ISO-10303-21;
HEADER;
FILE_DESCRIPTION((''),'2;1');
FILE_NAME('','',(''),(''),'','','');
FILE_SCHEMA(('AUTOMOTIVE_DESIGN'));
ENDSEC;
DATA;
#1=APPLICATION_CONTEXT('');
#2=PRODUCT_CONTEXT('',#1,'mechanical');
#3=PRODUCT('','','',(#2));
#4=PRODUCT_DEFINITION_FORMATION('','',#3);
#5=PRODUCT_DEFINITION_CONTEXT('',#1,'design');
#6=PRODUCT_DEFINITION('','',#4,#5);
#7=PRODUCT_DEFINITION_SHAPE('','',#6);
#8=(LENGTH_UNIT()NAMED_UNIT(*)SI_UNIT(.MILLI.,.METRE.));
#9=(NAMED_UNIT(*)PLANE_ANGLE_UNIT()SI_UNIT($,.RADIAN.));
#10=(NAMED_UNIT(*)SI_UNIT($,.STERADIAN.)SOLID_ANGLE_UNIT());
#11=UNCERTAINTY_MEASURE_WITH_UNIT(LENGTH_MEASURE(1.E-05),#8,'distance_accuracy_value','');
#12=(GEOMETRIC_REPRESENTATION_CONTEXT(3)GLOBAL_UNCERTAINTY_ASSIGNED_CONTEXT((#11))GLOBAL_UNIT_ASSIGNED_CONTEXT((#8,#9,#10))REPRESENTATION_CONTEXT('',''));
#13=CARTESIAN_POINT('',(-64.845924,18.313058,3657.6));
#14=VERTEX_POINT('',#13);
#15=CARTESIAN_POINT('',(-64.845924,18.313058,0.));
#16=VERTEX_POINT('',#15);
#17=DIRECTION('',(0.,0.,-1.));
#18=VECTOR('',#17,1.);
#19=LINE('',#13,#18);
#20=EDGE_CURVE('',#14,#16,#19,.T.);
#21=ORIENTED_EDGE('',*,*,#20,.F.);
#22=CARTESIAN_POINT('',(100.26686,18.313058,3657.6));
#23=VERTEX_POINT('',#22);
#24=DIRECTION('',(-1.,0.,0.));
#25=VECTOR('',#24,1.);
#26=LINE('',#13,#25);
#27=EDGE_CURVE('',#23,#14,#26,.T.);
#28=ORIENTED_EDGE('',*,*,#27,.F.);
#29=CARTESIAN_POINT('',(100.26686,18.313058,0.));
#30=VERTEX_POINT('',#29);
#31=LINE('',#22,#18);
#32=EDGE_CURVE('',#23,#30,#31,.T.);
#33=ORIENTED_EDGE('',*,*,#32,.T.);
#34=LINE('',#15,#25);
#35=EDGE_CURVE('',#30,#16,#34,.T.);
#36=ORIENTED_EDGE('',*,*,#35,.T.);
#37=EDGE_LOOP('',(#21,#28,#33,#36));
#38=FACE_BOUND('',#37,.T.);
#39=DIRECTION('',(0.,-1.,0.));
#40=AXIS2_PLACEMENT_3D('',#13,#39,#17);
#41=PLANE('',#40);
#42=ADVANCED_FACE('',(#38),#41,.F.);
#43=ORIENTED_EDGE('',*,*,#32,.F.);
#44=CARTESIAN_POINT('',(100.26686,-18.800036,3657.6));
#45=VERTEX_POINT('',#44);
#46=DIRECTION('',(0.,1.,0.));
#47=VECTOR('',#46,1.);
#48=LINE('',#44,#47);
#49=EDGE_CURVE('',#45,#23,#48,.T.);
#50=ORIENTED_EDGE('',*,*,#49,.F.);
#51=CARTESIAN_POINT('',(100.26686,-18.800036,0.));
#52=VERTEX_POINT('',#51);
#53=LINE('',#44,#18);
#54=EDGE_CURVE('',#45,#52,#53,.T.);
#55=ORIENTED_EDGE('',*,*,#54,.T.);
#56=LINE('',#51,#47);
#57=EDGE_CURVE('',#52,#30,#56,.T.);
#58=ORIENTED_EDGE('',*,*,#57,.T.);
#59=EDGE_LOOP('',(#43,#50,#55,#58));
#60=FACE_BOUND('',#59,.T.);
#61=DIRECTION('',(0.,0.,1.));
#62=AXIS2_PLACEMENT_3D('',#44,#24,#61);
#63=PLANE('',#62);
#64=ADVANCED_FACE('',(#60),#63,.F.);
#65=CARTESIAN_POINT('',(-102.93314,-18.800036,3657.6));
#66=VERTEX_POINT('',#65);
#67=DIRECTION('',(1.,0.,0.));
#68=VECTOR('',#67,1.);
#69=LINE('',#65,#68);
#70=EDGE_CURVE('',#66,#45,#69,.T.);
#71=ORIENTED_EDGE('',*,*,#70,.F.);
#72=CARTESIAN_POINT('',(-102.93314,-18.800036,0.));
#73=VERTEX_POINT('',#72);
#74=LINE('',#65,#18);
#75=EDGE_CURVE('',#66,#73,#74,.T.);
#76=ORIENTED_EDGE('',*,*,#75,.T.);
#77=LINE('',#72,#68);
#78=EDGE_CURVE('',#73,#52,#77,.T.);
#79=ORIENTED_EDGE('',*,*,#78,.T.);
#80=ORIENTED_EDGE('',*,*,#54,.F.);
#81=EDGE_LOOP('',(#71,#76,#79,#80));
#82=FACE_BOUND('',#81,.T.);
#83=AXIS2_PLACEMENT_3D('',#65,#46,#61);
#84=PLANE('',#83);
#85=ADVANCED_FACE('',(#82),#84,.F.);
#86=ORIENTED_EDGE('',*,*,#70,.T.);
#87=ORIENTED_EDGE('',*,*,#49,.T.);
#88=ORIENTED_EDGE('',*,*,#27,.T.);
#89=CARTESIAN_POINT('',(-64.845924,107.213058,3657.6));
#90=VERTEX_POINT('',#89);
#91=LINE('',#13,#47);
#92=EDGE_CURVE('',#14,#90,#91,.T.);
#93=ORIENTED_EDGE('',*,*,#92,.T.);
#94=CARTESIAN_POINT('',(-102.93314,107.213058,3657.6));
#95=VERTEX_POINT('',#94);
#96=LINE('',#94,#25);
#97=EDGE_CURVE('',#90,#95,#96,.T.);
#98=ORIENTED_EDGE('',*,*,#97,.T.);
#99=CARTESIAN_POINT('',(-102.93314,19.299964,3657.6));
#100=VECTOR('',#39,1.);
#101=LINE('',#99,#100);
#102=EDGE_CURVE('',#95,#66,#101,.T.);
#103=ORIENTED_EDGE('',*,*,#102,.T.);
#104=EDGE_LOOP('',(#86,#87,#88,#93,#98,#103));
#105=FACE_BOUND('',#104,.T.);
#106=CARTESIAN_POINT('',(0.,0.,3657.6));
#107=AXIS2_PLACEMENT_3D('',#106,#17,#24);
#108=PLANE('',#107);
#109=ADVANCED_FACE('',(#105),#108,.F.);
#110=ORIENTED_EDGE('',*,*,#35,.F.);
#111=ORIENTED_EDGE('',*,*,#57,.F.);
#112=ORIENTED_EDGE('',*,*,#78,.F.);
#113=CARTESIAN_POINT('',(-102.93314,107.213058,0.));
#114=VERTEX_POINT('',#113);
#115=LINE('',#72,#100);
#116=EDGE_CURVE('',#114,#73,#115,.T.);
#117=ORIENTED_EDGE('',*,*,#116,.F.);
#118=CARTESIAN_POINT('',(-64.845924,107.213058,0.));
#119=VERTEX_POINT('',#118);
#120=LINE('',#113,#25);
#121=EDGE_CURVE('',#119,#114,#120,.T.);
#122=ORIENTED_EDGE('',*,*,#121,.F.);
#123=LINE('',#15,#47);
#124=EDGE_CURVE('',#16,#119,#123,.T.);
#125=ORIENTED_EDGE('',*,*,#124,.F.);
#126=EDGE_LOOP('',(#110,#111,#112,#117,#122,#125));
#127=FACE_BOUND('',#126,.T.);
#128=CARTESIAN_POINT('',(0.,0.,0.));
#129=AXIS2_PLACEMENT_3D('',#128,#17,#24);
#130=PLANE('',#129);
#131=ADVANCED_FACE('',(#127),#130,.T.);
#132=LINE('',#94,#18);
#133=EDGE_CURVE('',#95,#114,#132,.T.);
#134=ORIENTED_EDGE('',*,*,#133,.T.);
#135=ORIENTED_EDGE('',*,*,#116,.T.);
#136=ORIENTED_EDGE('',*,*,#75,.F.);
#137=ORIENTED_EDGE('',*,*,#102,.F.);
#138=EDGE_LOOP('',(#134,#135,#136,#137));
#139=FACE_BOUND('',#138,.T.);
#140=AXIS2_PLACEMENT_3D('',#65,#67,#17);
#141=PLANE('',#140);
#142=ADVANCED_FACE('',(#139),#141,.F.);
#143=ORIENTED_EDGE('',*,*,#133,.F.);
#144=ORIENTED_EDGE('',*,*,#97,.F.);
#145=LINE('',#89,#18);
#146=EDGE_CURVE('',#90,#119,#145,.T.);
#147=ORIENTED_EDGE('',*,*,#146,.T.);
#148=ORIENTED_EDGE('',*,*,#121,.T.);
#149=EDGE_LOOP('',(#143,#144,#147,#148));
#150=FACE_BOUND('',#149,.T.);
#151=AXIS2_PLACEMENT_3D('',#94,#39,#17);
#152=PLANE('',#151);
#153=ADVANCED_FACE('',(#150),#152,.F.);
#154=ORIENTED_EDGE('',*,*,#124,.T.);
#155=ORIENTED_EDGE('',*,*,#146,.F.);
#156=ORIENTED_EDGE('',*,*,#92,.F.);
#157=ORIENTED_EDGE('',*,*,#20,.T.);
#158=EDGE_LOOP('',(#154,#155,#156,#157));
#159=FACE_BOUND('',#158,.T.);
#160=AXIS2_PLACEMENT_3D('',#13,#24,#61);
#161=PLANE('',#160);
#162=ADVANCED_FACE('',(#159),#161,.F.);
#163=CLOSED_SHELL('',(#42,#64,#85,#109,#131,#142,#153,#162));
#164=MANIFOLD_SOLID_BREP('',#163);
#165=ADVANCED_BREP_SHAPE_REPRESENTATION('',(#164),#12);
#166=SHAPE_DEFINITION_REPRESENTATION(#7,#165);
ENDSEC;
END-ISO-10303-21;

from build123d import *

# Parameters (mm, degrees)
BOSS_EXTRUDE1_DEPTH = 3657.6


with BuildPart() as part:
    # Sketch2 → Boss-Extrude1 (new body)
    with BuildSketch(Plane.XY):
        Polygon((-102.933140418, -18.800036172), (100.266859582, -18.800036172), (100.266859582, 18.313058159), (-64.845924489, 18.313058159), (-64.845924489, 107.213058159), (-102.933140418, 107.213058159), (-102.933140418, 19.299963828), align=None)
    extrude(amount=BOSS_EXTRUDE1_DEPTH)


solid = part.part
